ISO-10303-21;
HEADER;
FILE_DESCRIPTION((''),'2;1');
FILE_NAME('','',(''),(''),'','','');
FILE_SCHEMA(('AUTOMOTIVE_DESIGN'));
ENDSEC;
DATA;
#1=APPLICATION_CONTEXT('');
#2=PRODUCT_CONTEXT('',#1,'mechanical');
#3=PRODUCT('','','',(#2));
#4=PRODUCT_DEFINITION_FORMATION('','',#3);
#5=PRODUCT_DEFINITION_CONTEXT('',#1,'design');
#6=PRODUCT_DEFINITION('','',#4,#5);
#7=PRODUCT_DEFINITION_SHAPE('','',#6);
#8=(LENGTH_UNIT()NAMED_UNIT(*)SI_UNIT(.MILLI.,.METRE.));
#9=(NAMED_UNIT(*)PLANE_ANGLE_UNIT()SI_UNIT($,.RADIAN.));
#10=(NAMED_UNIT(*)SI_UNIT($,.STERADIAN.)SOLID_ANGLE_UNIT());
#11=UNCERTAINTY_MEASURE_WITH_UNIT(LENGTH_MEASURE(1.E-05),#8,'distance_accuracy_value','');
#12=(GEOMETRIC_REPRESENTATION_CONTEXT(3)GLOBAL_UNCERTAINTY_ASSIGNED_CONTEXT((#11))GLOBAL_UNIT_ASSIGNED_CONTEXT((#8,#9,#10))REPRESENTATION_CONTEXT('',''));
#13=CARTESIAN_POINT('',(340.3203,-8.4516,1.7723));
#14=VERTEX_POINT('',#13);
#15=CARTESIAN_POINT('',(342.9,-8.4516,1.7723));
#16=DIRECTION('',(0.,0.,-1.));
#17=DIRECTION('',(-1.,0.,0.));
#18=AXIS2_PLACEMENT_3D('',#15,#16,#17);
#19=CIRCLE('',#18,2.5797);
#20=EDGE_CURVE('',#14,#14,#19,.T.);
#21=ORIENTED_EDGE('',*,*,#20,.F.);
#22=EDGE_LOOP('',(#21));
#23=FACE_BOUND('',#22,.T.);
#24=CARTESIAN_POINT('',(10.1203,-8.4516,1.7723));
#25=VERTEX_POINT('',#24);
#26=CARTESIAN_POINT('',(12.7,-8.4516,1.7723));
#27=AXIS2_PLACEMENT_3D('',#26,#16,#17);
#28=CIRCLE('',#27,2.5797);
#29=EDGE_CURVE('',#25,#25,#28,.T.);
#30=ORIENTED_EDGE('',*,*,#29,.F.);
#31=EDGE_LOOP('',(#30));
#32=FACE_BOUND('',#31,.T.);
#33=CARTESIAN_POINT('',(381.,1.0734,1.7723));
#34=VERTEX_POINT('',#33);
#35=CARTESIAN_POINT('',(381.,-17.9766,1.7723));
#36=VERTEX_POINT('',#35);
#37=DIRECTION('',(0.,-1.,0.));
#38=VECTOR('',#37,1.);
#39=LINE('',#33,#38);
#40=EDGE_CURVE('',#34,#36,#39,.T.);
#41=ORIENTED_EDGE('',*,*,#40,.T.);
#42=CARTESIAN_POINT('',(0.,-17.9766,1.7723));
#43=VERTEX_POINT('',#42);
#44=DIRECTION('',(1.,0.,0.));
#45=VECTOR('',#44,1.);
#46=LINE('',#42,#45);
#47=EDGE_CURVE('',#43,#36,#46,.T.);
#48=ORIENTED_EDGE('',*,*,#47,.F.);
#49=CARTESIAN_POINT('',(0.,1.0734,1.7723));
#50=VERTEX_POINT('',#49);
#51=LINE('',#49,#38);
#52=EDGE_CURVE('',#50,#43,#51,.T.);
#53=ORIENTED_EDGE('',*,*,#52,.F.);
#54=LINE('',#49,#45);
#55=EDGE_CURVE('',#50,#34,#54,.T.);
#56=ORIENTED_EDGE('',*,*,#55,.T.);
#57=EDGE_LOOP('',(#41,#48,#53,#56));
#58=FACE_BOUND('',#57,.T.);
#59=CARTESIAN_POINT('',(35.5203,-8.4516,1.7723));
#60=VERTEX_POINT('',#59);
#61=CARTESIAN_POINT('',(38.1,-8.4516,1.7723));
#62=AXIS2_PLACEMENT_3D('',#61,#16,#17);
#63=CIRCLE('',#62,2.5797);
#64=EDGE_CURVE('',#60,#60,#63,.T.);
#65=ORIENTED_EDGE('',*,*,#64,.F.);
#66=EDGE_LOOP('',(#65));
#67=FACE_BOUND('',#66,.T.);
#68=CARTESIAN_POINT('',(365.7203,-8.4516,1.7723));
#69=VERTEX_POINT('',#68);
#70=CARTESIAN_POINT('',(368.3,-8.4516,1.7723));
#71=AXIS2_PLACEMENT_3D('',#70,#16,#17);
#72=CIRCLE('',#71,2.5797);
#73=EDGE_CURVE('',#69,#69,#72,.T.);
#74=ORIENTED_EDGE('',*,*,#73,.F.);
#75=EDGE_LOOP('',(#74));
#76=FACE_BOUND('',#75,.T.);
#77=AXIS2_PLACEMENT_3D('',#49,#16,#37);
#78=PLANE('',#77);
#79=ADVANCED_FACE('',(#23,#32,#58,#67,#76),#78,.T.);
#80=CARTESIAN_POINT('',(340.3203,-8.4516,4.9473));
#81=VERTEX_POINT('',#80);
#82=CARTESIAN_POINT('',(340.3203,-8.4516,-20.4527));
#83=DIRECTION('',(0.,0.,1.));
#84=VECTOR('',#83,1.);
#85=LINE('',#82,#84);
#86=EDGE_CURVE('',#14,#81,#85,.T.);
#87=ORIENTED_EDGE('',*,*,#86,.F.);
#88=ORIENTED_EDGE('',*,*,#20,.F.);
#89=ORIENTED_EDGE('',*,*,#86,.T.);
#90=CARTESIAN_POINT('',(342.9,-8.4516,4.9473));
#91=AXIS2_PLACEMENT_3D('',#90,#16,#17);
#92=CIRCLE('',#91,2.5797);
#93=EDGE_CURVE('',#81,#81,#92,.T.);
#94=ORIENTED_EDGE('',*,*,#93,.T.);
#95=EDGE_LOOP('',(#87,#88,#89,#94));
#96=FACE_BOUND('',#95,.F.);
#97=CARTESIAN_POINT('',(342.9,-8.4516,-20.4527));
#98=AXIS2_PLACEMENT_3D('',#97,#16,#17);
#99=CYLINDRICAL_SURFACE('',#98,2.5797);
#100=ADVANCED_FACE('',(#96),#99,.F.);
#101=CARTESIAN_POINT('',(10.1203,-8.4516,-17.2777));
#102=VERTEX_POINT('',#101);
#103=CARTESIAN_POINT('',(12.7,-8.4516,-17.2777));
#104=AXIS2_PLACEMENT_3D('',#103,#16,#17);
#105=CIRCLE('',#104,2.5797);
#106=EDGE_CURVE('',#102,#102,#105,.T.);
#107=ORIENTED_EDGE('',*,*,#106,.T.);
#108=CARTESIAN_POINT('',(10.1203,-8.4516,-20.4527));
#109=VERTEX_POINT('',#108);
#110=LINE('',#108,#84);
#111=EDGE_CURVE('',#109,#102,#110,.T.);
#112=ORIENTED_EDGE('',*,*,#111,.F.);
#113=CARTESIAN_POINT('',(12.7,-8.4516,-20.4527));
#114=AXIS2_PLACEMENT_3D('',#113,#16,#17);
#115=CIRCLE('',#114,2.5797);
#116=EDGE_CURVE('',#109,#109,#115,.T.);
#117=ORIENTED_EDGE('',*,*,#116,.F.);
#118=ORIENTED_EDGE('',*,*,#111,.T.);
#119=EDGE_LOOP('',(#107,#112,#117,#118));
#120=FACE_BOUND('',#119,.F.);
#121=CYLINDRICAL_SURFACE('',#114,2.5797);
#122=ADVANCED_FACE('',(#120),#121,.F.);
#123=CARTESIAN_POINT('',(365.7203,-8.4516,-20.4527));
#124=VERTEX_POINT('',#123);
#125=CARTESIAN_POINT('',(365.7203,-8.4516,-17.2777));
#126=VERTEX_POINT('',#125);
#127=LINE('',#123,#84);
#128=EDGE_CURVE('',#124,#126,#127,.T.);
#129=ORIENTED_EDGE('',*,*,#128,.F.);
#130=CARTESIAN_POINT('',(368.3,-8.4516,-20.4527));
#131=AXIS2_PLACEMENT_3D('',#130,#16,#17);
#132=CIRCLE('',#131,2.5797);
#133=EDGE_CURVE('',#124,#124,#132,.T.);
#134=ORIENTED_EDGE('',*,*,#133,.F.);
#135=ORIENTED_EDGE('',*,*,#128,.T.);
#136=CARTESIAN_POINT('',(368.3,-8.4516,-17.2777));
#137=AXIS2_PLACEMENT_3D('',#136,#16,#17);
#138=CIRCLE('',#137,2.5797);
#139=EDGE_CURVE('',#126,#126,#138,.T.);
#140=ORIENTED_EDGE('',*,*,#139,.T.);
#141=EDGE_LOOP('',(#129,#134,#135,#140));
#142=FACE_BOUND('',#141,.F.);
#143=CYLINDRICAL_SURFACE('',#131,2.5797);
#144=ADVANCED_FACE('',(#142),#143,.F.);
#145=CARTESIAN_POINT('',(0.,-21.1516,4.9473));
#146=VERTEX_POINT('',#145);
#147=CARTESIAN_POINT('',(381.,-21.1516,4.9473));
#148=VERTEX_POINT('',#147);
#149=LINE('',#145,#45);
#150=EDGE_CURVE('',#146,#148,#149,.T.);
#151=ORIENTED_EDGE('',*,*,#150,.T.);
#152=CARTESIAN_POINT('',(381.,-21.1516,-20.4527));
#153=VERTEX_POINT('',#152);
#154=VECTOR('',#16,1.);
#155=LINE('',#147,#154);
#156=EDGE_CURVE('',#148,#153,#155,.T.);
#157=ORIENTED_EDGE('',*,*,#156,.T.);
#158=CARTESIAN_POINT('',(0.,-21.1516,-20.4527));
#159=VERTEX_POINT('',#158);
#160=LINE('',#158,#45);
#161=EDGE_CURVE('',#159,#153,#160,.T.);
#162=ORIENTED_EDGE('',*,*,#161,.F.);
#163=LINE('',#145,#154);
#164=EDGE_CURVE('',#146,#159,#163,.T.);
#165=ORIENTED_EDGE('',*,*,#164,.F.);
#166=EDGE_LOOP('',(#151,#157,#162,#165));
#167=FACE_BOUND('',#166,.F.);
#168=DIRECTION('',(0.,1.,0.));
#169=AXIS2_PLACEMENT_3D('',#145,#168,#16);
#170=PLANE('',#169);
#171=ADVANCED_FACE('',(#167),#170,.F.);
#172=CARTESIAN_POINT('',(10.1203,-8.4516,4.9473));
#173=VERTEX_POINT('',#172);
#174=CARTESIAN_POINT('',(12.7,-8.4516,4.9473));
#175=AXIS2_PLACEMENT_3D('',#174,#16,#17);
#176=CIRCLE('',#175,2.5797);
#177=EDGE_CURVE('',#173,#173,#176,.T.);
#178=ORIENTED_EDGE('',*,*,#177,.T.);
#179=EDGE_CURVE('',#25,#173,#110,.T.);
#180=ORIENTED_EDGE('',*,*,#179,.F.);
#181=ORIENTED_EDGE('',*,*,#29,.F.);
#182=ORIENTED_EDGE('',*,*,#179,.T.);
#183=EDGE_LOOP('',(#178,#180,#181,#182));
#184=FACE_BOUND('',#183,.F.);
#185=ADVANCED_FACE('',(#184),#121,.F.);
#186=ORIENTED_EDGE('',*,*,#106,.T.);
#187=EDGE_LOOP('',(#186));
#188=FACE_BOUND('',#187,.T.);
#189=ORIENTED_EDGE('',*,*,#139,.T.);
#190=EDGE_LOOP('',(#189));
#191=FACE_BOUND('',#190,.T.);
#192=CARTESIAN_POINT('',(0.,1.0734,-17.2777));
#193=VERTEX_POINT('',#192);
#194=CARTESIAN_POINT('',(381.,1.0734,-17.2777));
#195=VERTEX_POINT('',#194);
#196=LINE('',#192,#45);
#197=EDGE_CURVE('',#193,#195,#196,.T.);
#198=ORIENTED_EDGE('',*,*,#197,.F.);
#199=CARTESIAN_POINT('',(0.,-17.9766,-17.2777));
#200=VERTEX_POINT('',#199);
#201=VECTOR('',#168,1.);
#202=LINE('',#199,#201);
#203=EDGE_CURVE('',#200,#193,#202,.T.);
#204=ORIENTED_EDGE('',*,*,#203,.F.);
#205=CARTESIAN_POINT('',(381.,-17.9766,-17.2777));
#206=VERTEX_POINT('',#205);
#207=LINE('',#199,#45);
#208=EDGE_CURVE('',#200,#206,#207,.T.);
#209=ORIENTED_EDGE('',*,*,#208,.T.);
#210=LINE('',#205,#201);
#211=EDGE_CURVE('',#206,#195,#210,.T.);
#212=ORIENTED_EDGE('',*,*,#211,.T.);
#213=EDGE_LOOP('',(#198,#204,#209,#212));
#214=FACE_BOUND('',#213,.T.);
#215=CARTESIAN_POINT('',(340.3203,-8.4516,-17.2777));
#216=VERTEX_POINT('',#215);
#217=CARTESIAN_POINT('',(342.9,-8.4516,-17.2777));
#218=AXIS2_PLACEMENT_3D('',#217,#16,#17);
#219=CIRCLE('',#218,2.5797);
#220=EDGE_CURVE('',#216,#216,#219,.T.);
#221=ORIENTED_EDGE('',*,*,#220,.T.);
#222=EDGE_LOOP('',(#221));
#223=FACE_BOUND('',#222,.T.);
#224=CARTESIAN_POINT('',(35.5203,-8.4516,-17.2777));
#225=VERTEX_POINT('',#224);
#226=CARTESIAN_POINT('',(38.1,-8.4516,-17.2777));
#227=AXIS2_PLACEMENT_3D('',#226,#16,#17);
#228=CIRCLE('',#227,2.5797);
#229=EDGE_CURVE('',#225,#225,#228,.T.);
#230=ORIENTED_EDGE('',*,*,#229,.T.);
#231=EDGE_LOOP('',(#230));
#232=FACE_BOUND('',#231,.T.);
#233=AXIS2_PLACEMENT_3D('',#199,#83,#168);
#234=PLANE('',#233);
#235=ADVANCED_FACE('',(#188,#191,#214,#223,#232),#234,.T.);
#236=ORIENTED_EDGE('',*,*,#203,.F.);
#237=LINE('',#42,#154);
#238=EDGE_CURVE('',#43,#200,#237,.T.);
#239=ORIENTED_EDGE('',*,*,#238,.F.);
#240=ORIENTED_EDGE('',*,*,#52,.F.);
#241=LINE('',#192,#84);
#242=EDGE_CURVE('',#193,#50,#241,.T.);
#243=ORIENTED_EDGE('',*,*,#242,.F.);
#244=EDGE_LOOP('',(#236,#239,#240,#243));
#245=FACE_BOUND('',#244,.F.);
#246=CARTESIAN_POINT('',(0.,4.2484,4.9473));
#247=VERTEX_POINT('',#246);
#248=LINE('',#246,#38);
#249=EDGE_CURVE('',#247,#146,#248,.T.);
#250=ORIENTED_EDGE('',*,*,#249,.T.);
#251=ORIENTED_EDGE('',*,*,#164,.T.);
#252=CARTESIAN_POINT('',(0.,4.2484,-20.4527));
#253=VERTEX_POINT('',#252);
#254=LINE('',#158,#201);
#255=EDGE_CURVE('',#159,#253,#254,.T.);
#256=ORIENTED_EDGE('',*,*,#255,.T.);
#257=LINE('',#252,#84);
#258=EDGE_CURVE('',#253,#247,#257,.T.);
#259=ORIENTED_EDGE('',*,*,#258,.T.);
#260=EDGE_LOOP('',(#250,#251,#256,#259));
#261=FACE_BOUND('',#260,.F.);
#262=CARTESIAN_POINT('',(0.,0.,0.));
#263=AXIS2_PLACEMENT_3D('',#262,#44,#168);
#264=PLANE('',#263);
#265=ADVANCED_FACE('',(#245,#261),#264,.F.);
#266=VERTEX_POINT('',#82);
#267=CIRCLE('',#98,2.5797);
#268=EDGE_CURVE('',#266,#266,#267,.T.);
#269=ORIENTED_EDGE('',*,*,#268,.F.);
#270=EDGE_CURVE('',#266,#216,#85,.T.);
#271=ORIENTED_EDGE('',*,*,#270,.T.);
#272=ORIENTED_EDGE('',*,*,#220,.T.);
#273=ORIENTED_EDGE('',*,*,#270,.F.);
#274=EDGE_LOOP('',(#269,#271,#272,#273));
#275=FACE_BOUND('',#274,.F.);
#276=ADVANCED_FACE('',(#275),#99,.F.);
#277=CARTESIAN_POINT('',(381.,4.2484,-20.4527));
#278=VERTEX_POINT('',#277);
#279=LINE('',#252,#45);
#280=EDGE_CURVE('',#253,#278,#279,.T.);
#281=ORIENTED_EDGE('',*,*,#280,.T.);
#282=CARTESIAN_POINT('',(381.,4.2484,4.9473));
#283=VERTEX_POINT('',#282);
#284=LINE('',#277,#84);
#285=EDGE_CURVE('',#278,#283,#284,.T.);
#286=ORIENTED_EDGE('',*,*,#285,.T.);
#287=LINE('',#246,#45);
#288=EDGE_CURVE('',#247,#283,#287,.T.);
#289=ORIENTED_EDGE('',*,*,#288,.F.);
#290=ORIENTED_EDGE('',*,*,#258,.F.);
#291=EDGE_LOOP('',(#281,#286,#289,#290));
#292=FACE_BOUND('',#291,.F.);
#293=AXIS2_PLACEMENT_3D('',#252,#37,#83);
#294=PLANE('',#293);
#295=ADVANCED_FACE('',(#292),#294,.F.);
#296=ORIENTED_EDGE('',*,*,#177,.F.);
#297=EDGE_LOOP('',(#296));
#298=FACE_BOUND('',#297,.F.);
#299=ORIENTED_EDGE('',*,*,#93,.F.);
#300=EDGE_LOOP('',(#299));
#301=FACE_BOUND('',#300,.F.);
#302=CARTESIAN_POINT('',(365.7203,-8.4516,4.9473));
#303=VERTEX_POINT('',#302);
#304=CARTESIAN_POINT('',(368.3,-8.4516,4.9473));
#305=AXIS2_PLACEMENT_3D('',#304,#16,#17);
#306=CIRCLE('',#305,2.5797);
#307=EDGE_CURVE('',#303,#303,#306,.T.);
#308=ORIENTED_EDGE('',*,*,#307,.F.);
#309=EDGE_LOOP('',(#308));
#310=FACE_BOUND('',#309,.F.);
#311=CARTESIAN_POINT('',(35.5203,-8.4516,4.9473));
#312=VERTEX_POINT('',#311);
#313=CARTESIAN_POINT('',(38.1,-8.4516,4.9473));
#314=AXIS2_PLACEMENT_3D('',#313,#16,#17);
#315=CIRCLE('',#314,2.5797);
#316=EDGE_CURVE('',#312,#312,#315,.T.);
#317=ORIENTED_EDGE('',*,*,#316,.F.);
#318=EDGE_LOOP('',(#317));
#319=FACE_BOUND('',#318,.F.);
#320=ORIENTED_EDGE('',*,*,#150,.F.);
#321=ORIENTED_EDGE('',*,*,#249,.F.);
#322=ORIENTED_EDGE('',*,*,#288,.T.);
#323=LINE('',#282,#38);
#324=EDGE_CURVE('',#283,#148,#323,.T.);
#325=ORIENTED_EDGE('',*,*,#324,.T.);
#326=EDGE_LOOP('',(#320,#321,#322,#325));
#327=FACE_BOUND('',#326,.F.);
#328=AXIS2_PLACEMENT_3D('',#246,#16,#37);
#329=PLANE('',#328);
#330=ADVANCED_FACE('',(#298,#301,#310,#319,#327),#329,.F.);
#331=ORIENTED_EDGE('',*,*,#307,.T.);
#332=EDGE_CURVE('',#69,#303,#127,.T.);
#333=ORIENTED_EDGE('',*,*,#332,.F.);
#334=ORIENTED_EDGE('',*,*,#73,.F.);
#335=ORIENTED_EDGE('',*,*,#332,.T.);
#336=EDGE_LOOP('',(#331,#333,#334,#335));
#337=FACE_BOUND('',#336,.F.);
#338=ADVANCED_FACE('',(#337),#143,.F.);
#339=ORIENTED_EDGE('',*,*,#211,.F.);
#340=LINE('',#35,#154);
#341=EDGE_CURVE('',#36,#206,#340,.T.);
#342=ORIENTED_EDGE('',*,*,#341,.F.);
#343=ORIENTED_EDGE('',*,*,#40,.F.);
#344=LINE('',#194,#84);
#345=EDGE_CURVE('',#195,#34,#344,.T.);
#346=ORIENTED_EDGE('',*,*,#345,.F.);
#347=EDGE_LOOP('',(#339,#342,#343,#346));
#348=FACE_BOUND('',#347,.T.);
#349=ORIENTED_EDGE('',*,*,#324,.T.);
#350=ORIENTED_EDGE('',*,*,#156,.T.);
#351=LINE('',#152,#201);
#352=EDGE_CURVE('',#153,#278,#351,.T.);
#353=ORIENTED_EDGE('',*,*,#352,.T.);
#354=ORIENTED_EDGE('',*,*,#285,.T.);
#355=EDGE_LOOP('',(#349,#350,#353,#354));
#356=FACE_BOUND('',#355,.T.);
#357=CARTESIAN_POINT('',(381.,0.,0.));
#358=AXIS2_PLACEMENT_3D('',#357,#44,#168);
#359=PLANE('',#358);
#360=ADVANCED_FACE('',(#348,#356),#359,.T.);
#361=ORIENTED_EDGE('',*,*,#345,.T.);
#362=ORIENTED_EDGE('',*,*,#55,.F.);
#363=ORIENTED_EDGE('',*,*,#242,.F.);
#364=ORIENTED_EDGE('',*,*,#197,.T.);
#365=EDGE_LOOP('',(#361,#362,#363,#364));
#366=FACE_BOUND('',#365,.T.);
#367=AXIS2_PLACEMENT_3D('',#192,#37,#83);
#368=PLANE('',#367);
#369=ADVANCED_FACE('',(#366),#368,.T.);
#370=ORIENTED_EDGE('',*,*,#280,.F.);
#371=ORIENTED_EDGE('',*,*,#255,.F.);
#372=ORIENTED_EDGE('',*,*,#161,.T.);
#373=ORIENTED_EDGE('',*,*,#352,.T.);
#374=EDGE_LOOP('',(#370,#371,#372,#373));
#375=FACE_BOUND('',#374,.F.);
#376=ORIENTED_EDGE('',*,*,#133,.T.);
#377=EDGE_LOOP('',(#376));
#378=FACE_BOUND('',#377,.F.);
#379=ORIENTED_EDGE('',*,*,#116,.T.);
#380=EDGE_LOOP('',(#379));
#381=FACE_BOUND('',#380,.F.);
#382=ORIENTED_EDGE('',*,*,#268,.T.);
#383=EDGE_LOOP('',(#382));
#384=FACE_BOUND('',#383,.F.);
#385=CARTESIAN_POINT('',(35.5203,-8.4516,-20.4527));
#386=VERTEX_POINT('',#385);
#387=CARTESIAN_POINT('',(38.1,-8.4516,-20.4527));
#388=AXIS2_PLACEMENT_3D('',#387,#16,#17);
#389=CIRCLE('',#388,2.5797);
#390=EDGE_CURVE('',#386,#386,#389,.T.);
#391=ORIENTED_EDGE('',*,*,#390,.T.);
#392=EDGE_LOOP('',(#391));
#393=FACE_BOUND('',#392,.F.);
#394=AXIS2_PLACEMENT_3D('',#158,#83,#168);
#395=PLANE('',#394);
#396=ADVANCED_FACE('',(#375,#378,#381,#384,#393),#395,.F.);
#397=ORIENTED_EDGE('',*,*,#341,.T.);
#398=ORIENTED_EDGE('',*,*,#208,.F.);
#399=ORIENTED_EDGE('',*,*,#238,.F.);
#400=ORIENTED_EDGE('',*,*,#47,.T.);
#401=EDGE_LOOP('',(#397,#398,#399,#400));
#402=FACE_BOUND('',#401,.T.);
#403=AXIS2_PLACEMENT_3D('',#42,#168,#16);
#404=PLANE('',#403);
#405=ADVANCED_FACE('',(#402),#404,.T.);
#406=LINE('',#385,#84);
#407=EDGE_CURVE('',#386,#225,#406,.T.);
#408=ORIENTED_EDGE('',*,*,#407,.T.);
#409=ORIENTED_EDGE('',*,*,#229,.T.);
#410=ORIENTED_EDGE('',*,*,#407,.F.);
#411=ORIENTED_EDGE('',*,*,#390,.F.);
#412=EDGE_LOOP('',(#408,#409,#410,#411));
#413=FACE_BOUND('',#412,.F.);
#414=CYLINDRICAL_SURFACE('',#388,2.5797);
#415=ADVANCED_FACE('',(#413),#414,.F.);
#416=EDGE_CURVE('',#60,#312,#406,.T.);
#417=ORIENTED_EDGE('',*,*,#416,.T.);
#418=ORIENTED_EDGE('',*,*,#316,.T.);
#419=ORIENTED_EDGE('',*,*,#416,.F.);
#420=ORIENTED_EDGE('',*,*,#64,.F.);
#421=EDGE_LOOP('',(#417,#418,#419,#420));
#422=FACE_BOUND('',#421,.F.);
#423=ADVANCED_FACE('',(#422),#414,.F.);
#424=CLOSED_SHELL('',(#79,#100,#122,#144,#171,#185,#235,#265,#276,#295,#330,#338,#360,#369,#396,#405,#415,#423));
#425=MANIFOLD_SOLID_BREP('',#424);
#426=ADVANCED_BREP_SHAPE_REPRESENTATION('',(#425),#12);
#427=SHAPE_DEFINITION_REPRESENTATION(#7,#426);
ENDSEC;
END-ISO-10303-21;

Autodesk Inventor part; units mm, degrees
ref_plane "YZ Plane" through (0, 0, 0) normal (1, 0, 0) x (0, 1, 0)
ref_plane "XZ Plane" through (0, 0, 0) normal (0, 1, 0) x (-1, 0, 0)
ref_plane "XY Plane" through (0, 0, 0) normal (0, 0, 1) x (1, 0, 0)
sketch "Sketch1" plane through (0, 0, 0) normal (1, 0, 0) x (0, 1, 0)
  line L0 (4.2484, 4.9473) -> (-21.1516, 4.9473)
  line L1 (-21.1516, 4.9473) -> (-21.1516, -20.4527)
  line L2 (-21.1516, -20.4527) -> (4.2484, -20.4527)
  line L3 (4.2484, -20.4527) -> (4.2484, 4.9473)
  line L4 (1.0734, 1.7723) -> (-17.9766, 1.7723)
  line L5 (-17.9766, 1.7723) -> (-17.9766, -17.2777)
  line L6 (-17.9766, -17.2777) -> (1.0734, -17.2777)
  line L7 (1.0734, -17.2777) -> (1.0734, 1.7723)
  point P0 (0, 0)
  dimension "d0" = 25.4
  dimension "d1" = 25.4
  dimension "d2" = 3.175
extrude "Extrusion1" add sketch "Sketch1" along normal blind 381
sketch "Sketch2" plane through (0, -21.1516, -20.4527) normal (0, 0, -1) x (-1, 0, 0)
  line L0 (0, 0) -> (0, 25.4) construction
  line L1 (0, 12.7) -> (-12.7, 12.7) construction
  line L2 (-12.7, 12.7) -> (-38.1, 12.7) construction
  line L3 (-381, 0) -> (-381, 25.4) construction
  line L4 (-381, 12.7) -> (-368.3, 12.7) construction
  line L5 (-368.3, 12.7) -> (-342.9, 12.7) construction
  circle A0 centre (-368.3, 12.7) radius 2.5797
  circle A1 centre (-342.9, 12.7) radius 2.5797
  circle A2 centre (-12.7, 12.7) radius 2.5797
  circle A3 centre (-38.1, 12.7) radius 2.5797
  point P0 (0, 21.1516)
  dimension "d5" = 12.7
  dimension "d6" = 25.4
  dimension "d7" = 12.7
  dimension "d8" = 25.4
  dimension "d9" = 5.1594
  dimension "d10" = 5.1594
  dimension "d11" = 5.1594
  dimension "d12" = 5.1594
extrude "Extrusion2" cut sketch "Sketch2" against normal blind 431.8
properties part number "17in 1x1 Beam"
